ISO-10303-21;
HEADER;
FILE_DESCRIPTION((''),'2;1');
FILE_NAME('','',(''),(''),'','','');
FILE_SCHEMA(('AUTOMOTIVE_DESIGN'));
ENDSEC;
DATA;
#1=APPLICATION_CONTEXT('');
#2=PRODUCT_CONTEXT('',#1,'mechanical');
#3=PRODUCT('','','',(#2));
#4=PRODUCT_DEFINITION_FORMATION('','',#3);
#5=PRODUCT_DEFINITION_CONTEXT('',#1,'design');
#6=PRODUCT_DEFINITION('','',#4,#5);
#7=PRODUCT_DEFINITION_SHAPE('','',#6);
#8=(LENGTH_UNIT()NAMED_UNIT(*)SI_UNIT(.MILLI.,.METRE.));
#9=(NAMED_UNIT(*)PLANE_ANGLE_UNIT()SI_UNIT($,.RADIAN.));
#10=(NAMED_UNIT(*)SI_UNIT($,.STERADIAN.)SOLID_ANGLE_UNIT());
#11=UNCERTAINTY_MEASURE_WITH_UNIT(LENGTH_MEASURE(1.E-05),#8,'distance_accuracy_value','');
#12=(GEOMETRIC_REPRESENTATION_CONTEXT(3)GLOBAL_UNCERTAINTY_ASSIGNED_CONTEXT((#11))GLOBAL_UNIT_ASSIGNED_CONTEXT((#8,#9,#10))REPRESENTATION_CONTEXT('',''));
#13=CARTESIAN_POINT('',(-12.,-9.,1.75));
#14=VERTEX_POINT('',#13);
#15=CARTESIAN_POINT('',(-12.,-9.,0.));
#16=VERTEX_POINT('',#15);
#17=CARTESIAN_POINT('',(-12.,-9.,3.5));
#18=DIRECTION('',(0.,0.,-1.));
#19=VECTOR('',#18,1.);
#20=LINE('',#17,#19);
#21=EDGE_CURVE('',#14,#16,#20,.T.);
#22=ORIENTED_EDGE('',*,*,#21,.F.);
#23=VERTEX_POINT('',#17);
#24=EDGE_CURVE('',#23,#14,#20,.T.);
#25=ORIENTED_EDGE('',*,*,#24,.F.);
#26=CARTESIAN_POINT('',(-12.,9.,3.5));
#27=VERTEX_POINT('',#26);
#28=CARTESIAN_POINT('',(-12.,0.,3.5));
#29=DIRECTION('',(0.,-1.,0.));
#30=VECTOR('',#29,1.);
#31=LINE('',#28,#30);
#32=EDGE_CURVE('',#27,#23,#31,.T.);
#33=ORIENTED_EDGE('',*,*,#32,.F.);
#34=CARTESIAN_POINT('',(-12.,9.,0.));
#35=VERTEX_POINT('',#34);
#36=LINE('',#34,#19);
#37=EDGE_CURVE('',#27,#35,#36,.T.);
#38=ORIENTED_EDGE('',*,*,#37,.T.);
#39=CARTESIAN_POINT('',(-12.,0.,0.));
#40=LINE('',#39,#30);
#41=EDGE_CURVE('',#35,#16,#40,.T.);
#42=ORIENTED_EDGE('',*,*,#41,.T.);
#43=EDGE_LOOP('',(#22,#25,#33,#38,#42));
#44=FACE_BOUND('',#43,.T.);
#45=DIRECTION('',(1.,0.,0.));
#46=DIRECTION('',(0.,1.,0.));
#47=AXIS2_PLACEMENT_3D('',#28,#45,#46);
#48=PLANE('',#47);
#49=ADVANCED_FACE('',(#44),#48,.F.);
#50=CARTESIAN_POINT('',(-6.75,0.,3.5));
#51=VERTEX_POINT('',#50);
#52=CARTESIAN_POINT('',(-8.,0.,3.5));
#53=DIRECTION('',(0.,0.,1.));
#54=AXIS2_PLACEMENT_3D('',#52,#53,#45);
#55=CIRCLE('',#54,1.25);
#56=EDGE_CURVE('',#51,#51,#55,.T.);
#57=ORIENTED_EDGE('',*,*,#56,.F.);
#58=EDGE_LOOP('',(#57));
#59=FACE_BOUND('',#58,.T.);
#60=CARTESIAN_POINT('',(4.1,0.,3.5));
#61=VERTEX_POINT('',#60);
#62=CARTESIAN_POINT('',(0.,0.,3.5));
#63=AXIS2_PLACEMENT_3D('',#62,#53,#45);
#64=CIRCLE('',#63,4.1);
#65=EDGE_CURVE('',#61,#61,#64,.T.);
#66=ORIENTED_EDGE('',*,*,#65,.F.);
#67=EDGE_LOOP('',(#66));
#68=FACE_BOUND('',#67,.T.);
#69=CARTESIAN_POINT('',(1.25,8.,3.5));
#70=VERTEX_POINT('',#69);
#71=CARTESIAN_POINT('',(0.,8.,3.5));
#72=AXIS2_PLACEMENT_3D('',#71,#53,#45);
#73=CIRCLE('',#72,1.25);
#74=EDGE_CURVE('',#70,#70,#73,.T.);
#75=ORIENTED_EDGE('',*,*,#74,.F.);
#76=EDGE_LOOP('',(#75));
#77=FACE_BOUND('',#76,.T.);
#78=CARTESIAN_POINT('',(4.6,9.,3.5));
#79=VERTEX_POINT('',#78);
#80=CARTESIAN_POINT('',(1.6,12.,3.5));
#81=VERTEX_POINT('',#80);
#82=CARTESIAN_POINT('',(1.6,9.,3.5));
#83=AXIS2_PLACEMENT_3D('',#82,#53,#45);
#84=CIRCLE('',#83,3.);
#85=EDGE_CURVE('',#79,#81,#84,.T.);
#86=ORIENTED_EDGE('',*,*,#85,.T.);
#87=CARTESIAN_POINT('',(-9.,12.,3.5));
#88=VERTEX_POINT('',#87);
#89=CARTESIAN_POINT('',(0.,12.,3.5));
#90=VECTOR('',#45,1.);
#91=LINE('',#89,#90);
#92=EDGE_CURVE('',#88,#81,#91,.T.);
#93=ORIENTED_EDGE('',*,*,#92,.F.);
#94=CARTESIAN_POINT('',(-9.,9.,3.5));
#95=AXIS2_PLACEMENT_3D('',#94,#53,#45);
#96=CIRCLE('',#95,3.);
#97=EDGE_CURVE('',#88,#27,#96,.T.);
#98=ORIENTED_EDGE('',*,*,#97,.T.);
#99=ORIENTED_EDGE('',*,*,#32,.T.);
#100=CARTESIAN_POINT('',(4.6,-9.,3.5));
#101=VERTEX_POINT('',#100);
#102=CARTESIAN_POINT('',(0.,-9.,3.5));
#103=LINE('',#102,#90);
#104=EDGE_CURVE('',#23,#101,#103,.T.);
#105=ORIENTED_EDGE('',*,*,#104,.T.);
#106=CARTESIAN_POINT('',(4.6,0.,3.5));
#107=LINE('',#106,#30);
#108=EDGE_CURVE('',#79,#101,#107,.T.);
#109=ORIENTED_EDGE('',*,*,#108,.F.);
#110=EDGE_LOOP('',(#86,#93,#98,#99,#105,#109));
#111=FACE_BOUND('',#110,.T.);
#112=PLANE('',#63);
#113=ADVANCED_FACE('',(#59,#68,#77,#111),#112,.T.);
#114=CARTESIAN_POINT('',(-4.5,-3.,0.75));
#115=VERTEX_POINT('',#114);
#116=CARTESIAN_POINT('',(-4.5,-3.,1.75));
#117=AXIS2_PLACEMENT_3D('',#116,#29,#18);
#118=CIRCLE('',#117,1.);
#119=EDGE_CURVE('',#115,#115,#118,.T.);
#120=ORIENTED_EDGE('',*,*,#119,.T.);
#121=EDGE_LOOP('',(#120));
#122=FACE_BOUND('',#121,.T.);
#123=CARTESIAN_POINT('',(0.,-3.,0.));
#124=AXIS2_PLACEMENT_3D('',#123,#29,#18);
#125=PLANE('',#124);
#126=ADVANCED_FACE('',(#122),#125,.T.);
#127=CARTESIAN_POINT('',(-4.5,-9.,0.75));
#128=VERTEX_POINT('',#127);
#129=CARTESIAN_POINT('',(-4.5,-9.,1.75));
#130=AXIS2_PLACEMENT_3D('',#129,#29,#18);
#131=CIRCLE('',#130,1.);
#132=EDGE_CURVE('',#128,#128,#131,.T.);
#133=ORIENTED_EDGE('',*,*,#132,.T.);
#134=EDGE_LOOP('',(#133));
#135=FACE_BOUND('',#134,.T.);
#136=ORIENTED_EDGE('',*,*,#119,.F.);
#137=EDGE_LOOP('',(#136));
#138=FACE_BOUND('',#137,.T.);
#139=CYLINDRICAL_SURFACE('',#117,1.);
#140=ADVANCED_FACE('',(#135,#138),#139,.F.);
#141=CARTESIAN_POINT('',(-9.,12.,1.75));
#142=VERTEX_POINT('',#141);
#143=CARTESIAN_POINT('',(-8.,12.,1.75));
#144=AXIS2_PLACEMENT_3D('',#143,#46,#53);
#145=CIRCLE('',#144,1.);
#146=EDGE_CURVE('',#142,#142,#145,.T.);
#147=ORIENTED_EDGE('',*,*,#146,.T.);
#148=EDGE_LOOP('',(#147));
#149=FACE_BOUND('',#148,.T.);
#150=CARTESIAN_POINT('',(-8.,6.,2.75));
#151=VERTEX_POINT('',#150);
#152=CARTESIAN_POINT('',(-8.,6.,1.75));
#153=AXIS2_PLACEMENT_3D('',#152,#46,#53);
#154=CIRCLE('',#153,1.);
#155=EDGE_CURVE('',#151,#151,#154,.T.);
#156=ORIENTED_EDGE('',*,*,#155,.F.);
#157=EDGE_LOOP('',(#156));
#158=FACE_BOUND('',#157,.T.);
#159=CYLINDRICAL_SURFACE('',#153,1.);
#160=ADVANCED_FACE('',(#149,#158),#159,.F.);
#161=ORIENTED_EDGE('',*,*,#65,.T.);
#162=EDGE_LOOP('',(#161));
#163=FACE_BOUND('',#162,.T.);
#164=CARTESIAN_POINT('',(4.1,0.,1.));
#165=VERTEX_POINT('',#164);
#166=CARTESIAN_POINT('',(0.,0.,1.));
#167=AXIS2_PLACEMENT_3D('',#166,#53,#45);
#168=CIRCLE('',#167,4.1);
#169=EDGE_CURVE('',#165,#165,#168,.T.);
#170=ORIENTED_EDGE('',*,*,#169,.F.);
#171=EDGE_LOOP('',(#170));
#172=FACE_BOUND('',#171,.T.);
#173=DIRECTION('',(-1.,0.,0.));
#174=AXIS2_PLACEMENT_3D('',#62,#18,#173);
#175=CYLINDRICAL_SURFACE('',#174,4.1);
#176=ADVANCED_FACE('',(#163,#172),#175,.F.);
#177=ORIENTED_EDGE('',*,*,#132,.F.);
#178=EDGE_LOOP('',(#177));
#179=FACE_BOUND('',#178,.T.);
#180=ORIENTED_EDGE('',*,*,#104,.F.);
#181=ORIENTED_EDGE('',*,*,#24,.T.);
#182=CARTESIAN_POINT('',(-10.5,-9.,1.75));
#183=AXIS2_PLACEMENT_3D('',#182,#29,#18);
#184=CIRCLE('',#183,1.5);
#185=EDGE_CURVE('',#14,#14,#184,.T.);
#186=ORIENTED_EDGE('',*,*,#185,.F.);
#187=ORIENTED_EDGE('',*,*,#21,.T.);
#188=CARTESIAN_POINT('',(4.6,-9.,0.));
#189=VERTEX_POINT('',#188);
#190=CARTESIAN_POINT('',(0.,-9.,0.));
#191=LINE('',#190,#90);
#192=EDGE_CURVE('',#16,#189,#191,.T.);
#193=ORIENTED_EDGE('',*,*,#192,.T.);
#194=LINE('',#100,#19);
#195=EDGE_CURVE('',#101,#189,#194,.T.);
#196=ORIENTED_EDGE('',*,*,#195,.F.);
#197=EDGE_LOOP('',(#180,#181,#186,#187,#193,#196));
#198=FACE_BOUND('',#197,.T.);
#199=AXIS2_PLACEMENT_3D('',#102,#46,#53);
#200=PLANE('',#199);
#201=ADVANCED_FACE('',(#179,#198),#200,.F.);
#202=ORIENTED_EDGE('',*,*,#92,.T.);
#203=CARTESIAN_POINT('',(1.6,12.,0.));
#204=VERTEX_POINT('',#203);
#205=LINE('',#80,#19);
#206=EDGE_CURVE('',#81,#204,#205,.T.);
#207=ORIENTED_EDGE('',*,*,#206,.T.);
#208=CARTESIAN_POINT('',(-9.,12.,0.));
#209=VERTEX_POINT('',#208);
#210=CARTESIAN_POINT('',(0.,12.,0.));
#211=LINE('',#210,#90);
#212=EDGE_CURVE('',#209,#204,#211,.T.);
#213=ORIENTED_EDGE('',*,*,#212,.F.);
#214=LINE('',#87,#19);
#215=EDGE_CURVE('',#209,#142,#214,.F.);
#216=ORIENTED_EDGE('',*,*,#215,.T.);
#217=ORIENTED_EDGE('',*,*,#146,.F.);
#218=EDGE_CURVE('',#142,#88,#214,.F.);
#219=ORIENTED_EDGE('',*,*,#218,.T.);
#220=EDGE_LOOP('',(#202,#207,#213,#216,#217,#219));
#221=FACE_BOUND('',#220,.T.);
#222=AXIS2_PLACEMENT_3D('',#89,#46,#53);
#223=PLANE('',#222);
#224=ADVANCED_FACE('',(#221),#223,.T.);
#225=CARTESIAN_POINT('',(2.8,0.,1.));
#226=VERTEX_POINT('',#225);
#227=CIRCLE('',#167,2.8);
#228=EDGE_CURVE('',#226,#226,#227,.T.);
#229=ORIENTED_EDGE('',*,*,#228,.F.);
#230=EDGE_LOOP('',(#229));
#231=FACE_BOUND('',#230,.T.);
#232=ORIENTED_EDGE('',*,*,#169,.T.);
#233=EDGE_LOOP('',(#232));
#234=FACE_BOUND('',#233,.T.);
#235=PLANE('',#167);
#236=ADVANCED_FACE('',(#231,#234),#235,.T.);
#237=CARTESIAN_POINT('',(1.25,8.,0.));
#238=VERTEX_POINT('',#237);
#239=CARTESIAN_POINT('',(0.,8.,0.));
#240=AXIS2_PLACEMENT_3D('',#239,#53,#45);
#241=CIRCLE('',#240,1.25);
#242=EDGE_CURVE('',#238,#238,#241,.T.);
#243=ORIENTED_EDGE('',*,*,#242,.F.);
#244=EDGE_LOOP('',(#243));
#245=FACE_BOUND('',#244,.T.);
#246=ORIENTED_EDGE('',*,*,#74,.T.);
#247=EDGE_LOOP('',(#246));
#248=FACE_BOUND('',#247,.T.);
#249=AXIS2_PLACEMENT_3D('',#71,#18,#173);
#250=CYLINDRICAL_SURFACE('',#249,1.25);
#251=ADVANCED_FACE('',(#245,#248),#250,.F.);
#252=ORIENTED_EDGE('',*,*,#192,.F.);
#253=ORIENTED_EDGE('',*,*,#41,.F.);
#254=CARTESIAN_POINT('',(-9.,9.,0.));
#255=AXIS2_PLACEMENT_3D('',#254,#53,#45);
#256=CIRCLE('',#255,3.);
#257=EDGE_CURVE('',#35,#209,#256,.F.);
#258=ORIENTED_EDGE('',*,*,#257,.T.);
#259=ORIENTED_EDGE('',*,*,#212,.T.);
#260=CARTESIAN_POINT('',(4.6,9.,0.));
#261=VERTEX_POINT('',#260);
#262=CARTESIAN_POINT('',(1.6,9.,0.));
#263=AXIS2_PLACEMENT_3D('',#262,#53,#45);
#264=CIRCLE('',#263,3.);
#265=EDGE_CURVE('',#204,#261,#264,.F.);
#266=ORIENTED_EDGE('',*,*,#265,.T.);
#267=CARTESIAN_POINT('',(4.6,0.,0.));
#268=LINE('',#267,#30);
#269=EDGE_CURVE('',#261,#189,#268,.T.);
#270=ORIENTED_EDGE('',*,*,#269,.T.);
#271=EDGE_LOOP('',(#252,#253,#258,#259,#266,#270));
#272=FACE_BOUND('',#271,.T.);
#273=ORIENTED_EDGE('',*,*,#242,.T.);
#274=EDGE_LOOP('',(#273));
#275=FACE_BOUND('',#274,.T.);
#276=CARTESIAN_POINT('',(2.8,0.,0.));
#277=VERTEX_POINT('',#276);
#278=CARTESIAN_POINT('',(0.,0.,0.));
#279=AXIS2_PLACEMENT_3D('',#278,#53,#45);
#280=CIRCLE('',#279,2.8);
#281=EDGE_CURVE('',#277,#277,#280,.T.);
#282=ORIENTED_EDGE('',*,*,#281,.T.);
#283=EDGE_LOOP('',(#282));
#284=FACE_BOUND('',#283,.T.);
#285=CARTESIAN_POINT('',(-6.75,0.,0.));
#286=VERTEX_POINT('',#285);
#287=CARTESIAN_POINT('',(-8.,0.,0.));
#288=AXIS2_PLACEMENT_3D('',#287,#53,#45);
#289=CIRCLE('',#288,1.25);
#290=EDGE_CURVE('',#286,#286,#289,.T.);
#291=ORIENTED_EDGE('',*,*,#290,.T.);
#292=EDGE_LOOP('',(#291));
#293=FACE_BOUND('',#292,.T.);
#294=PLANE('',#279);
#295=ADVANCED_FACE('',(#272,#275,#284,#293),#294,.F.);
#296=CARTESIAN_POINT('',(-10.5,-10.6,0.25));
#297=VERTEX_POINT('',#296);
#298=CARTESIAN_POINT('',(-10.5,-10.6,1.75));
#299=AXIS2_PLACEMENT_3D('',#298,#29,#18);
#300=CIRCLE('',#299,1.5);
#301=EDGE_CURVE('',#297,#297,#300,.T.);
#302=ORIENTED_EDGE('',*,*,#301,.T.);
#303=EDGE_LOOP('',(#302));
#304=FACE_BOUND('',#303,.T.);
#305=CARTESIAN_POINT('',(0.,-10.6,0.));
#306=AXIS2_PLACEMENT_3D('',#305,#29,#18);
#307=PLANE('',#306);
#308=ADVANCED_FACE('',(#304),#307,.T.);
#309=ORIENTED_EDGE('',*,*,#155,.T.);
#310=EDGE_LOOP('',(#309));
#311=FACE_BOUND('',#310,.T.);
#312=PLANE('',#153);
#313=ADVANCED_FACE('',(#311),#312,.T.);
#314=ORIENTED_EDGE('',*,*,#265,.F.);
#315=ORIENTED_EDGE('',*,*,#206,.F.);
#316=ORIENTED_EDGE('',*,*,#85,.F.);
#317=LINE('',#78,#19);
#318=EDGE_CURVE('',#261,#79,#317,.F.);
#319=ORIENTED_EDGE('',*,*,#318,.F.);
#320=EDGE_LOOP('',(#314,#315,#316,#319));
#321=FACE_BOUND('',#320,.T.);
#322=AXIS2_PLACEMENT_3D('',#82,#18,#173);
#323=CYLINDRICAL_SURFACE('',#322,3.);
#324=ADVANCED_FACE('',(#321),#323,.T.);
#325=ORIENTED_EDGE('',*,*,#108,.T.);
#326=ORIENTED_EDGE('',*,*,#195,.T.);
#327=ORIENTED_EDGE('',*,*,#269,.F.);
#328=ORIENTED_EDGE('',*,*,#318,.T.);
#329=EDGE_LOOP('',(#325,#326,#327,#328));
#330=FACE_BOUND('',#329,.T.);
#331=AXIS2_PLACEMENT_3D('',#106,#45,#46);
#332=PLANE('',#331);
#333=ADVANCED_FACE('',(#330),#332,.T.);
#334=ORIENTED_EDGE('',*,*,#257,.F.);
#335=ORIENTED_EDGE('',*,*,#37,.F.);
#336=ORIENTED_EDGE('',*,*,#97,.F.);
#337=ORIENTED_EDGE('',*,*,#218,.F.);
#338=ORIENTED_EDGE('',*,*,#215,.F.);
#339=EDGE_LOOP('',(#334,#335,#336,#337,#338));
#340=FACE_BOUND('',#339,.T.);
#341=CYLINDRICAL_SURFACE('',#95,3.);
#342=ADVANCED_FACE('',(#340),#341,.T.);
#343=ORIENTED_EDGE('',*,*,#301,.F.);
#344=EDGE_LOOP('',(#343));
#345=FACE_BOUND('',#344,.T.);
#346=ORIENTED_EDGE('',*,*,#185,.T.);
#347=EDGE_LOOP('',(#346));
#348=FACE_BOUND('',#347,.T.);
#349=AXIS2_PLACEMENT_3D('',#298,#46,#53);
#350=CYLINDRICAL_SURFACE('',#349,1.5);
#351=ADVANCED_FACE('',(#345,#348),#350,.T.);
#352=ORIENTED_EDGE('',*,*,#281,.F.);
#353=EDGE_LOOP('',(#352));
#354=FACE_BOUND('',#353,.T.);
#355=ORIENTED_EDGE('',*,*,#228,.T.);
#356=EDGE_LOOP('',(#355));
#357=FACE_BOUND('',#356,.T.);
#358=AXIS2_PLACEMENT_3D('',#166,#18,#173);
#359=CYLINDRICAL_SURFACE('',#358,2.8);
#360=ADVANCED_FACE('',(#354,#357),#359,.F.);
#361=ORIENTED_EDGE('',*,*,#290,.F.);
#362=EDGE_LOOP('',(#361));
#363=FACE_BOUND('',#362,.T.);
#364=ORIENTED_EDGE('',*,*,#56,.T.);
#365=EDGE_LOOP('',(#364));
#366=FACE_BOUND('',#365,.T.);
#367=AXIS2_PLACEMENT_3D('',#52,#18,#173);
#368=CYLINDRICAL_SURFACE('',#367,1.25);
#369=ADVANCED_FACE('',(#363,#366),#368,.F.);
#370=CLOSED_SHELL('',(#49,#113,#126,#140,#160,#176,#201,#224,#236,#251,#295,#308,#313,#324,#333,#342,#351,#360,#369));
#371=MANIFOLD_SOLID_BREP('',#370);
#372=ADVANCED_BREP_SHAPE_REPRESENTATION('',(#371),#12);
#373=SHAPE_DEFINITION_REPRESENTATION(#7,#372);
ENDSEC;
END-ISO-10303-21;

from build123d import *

# Parameters (mm, degrees)
SKETCH_1_W          = 16.6
SKETCH_1_H          = 21
SKETCH_1_R          = 1.25
SKETCH_1_R_2        = 4.1
EXTRUDE_1_DEPTH     = 3.5
SKETCH_1_3_R        = 4.1
SKETCH_1_3_R_2      = 2.8
EXTRUDE_2_DEPTH     = 1
FILLET_1_R          = 3
FILLET_2_R          = 3
SKETCH_2_R          = 1
CUT_EXTRUDE_1_DEPTH = 6
SKETCH_2_3_R        = 1.5
EXTRUDE_3_DEPTH     = 1.6
SKETCH_3_R          = 1
CUT_EXTRUDE_2_DEPTH = 6


with BuildPart() as part:
    # 草图1 → 凸台-拉伸1 (new body)
    with BuildSketch(Plane.XY):
        with Locations((-3.7, 1.5)):
            Rectangle(SKETCH_1_W, SKETCH_1_H)
        with Locations((-8, 0)):
            Circle(SKETCH_1_R, mode=Mode.SUBTRACT)
        Circle(SKETCH_1_R_2, mode=Mode.SUBTRACT)
        with Locations((0, 8)):
            Circle(SKETCH_1_R, mode=Mode.SUBTRACT)
    extrude(amount=EXTRUDE_1_DEPTH)

    # 草图1<3> → 凸台-拉伸2 (add)
    with BuildSketch(Plane.XY):
        Circle(SKETCH_1_3_R)
        Circle(SKETCH_1_3_R_2, mode=Mode.SUBTRACT)
    extrude(amount=EXTRUDE_2_DEPTH)

    # 圆角1
    fillet_1_edges = [part.edges().sort_by_distance(p)[0] for p in [
        (-12, 12, 1.75),
    ]]
    fillet(fillet_1_edges, radius=FILLET_1_R)

    # 圆角2
    fillet_2_edges = [part.edges().sort_by_distance(p)[0] for p in [
        (4.6, 12, 1.75),
    ]]
    fillet(fillet_2_edges, radius=FILLET_2_R)

    # 草图2 → 切除-拉伸1 (cut)
    with BuildSketch(Plane.XZ.offset(9)):
        with Locations((-4.5, 1.75)):
            Circle(SKETCH_2_R)
    extrude(amount=-CUT_EXTRUDE_1_DEPTH, mode=Mode.SUBTRACT)

    # 草图2<3> → 凸台-拉伸3 (add)
    with BuildSketch(Plane.XZ.offset(9)):
        with Locations((-10.5, 1.75)):
            Circle(SKETCH_2_3_R)
    extrude(amount=EXTRUDE_3_DEPTH)

    # 草图3 → 切除-拉伸2 (cut)
    with BuildSketch(Plane(origin=(0, 12, 0), x_dir=(1, 0, 0), z_dir=(0, 1, 0))):
        with Locations((-8, -1.75)):
            Circle(SKETCH_3_R)
    extrude(amount=-CUT_EXTRUDE_2_DEPTH, mode=Mode.SUBTRACT)


solid = part.part
